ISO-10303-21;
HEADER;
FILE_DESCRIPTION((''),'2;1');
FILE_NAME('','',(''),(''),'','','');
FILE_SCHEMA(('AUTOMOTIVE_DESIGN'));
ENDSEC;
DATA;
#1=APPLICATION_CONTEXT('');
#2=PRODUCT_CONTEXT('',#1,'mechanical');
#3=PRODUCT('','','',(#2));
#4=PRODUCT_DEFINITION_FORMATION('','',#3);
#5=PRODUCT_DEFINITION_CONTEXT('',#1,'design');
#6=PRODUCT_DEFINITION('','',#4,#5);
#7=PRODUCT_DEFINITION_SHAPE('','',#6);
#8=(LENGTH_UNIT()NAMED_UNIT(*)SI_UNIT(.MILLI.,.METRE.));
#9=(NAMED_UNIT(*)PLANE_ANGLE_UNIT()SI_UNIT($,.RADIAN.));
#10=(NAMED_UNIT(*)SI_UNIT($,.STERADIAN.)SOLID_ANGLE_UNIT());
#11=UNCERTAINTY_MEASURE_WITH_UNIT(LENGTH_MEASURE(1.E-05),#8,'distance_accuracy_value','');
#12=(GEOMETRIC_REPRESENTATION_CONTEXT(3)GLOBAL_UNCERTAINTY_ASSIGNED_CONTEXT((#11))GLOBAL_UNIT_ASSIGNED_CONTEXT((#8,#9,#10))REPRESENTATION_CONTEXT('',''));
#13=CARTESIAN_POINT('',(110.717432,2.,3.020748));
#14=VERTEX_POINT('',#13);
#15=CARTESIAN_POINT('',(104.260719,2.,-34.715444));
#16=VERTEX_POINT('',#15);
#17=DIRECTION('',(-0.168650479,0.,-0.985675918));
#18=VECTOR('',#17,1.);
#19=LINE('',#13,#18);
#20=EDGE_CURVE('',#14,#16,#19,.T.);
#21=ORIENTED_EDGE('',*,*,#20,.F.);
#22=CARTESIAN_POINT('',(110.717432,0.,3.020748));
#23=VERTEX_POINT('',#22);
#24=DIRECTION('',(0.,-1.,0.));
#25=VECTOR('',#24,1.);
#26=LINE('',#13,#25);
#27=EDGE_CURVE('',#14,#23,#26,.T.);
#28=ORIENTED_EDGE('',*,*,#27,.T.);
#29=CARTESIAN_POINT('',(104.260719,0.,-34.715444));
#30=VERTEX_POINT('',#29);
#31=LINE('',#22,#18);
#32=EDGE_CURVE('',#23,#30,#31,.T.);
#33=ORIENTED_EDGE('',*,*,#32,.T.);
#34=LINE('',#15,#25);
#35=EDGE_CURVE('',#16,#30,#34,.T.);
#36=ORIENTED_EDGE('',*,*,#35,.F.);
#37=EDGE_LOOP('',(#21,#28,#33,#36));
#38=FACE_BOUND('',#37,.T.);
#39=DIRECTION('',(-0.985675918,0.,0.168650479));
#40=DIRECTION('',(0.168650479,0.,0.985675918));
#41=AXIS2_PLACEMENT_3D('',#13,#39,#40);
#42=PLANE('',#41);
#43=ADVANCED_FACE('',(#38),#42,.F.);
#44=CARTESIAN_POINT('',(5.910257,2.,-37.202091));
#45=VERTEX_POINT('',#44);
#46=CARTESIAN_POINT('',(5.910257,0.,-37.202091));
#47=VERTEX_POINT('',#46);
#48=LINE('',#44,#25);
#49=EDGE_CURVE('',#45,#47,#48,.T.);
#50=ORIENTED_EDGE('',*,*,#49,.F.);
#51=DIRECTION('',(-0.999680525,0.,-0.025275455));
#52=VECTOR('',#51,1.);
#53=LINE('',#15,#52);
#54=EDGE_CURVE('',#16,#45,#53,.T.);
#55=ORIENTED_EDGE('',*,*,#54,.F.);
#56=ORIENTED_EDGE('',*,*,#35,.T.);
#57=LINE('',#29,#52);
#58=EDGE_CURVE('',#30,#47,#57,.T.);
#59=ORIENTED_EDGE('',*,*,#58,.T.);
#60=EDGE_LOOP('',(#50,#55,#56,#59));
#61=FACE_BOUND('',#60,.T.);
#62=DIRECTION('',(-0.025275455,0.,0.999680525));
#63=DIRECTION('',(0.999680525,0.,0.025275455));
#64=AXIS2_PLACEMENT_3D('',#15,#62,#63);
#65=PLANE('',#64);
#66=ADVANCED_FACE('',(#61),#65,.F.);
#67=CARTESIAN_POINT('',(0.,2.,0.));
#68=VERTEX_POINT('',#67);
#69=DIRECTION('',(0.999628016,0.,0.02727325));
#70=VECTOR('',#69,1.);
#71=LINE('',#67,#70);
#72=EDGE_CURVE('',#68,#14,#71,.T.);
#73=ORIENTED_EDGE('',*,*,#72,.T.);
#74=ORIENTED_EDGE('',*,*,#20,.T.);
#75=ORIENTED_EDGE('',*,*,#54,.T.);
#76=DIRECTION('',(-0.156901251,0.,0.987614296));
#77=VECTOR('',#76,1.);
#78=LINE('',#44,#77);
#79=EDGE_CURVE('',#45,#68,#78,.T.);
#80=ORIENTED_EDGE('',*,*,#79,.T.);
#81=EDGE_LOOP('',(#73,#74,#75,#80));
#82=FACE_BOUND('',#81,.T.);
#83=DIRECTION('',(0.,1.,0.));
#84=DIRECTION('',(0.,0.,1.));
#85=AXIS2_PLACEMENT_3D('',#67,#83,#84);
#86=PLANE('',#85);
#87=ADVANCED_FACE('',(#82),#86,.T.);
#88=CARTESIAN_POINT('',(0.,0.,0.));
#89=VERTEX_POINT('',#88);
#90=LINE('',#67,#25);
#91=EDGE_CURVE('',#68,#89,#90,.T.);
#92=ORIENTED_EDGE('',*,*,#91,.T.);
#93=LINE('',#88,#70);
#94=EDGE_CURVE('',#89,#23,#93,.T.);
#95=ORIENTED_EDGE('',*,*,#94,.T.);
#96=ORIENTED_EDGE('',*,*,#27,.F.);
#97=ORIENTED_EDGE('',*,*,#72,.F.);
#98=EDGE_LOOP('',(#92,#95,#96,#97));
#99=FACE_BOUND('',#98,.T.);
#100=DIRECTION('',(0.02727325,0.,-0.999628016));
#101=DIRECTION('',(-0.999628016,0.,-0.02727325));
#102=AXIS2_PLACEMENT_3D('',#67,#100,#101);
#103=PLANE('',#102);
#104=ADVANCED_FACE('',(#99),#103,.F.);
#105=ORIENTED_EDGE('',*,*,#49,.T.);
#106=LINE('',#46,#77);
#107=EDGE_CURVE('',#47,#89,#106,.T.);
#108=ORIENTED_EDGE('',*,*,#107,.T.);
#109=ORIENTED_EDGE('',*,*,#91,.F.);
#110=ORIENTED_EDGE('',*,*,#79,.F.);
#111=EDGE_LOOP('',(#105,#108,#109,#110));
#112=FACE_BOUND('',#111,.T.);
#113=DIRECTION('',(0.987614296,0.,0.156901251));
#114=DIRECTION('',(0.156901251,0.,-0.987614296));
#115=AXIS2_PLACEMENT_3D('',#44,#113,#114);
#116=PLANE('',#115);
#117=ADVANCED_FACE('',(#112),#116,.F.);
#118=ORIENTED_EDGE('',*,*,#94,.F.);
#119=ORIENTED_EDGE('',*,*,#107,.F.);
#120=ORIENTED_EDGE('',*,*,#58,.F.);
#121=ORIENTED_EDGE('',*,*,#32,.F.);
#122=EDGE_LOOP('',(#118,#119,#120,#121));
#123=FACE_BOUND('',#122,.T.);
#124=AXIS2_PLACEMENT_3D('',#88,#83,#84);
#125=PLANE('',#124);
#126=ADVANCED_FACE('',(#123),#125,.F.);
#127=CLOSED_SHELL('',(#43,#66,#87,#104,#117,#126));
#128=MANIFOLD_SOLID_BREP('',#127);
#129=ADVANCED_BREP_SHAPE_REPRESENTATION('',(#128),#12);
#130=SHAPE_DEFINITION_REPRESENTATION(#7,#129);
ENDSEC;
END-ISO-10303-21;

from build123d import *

# Parameters (mm, degrees)
BOSS_EXTRU_1_DEPTH = 2


with BuildPart() as part:
    # Esquisse1 → Boss.-Extru.1 (new body)
    with BuildSketch(Plane(origin=(0, 0, 0), x_dir=(1, 0, 0), z_dir=(0, 1, 0))):
        Polygon((5.910257277, 37.202090876), (0, 0), (110.717432038, -3.020747875), (104.260718726, 34.71544382), align=None)
    extrude(amount=BOSS_EXTRU_1_DEPTH)


solid = part.part
